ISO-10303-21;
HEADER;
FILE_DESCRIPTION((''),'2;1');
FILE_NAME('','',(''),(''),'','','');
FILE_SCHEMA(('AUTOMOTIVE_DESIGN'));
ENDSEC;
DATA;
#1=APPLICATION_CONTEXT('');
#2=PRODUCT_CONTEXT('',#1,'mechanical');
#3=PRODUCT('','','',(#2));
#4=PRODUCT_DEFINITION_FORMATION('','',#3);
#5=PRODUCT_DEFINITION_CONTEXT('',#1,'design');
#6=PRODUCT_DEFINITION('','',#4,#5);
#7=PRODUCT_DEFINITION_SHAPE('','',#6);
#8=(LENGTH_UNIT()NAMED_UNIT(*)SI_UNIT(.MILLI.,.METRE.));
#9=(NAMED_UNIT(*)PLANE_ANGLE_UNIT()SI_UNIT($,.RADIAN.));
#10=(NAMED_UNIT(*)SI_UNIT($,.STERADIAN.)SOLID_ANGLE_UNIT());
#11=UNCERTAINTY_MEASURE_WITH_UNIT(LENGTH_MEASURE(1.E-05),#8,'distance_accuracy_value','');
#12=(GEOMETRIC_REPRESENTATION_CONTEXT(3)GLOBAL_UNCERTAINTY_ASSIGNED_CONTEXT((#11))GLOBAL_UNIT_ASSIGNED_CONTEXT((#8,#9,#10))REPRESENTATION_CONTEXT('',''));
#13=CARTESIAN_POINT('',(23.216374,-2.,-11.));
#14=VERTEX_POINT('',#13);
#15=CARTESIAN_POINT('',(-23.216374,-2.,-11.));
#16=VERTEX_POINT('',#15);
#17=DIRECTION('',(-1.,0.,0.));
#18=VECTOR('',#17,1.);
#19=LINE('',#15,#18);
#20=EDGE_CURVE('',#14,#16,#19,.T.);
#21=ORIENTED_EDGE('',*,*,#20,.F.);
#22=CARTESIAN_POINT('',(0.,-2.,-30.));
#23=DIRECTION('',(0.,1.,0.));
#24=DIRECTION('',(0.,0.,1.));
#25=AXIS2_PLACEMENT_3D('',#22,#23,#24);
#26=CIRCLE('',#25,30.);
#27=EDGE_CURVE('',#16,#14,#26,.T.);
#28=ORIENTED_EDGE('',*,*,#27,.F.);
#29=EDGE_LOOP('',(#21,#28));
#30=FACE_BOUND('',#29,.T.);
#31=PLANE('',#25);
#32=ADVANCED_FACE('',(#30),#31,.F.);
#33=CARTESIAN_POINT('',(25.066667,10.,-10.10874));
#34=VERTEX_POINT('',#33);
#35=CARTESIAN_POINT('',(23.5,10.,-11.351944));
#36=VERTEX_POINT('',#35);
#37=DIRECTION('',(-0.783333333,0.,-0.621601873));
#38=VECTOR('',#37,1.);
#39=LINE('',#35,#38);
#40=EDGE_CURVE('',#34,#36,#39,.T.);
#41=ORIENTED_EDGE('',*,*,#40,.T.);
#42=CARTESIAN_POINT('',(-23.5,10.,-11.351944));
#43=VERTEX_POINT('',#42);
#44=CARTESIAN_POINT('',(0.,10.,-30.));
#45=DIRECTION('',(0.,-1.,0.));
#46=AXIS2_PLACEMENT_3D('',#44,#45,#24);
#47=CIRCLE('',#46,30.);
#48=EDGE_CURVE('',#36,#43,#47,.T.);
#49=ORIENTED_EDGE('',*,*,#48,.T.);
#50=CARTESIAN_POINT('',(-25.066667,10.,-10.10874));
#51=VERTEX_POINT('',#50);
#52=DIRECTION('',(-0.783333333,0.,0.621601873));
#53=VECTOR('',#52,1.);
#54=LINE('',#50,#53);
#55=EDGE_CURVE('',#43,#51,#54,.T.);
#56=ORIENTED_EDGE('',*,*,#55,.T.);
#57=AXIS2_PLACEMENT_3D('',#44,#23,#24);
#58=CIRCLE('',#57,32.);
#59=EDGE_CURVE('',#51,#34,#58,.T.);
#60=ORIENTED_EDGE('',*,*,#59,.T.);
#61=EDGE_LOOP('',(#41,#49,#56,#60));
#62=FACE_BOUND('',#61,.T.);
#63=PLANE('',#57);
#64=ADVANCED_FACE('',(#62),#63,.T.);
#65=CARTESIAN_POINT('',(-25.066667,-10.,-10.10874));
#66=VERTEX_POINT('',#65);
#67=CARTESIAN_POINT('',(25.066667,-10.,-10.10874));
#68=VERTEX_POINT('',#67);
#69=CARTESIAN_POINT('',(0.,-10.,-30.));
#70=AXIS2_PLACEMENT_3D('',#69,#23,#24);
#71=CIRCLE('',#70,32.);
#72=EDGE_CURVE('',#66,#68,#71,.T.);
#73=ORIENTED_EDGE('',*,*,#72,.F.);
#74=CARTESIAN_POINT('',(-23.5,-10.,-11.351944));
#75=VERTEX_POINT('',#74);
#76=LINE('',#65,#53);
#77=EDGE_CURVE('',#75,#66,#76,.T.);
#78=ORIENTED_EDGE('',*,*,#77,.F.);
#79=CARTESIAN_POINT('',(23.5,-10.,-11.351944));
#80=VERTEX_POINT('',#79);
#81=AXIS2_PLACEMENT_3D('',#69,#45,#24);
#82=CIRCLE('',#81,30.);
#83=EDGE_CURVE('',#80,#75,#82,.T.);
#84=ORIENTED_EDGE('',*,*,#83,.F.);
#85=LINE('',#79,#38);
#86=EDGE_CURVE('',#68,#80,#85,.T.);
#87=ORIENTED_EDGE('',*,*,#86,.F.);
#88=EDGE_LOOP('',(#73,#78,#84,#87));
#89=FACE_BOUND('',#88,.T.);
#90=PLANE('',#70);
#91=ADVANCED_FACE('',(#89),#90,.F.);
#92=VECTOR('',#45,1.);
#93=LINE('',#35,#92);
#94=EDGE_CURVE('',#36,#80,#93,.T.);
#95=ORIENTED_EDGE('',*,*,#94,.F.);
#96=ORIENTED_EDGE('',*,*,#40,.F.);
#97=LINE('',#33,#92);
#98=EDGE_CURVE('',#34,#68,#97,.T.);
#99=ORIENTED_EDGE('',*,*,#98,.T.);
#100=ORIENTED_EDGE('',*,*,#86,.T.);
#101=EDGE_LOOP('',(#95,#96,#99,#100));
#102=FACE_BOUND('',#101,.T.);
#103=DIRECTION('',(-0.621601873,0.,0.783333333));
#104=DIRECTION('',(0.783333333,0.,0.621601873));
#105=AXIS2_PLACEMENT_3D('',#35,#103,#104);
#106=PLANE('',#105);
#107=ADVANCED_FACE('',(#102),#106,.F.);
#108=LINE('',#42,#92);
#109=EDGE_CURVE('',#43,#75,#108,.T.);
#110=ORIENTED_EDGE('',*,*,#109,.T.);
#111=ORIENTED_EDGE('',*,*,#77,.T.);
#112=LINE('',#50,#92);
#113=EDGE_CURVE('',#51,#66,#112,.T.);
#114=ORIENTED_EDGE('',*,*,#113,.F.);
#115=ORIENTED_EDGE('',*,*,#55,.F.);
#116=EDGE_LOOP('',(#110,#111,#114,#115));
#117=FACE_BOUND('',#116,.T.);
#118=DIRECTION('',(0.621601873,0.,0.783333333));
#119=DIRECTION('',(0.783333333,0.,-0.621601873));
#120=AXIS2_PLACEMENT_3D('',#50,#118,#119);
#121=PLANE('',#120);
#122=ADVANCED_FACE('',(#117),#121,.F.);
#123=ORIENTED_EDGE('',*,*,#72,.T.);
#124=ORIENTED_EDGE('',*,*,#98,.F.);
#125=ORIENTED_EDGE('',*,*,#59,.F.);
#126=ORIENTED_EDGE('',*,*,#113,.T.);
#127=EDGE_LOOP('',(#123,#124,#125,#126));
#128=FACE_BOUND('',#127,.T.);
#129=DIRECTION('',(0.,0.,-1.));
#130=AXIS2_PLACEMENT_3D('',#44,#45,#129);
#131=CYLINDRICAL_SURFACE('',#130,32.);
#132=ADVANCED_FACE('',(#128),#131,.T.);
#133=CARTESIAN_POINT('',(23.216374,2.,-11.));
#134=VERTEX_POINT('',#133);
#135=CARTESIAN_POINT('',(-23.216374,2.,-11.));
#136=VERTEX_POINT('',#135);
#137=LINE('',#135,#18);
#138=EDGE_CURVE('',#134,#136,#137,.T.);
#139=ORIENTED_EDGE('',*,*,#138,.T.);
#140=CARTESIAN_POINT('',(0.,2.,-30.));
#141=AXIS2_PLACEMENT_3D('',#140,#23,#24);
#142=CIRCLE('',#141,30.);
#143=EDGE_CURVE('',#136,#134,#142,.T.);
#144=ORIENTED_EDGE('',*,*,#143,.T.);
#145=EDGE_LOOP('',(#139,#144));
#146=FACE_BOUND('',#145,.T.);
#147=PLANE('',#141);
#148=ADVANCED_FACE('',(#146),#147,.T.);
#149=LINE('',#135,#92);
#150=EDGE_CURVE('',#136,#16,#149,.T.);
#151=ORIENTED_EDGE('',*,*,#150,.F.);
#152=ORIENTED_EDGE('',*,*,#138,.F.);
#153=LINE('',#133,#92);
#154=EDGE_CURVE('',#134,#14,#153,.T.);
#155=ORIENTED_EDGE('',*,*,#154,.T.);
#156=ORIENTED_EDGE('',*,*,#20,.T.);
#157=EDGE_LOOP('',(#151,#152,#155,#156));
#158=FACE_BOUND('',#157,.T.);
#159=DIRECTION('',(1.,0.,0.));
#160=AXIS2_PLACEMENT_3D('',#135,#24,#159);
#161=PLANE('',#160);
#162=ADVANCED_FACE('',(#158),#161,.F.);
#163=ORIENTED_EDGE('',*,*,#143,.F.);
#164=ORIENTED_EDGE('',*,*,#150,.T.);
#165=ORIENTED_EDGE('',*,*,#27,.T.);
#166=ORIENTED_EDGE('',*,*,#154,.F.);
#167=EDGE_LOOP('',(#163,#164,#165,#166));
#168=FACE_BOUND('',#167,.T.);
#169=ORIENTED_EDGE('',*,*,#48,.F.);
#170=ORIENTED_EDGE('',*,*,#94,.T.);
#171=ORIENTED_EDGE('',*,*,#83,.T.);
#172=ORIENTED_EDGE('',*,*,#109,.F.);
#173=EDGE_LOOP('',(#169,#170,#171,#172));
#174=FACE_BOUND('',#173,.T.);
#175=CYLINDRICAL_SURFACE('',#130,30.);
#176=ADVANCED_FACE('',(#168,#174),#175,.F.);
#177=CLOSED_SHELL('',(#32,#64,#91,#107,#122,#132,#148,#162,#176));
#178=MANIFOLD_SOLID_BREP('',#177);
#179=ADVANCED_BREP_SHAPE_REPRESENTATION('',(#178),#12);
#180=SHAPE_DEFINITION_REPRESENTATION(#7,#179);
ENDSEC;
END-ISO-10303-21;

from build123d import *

# Parameters (mm, degrees)
BOSS_EXTRUDE1_DEPTH = 10
BOSS_EXTRUDE2_DEPTH = 2


with BuildPart() as part:
    # Sketch1 → Boss-Extrude1 (new body, symmetric)
    with BuildSketch(Plane(origin=(0, 0, 0), x_dir=(1, 0, 0), z_dir=(0, 1, 0))):
        with BuildLine():
            Line((-25.066666667, 10.108740054), (-23.5, 11.351943801))
            ThreePointArc((-23.5, 11.351943801), (0, 0), (23.5, 11.351943801))
            Line((23.5, 11.351943801), (25.066666667, 10.108740054))
            ThreePointArc((25.066666667, 10.108740054), (0, -2), (-25.066666667, 10.108740054))
        make_face()
    extrude(amount=BOSS_EXTRUDE1_DEPTH, both=True)

    # Sketch2 → Boss-Extrude2 (add, symmetric)
    with BuildSketch(Plane(origin=(0, 0, 0), x_dir=(1, 0, 0), z_dir=(0, 1, 0))):
        with BuildLine():
            Line((-23.216373532, 11), (23.216373532, 11))
            ThreePointArc((23.216373532, 11), (0, 0), (-23.216373532, 11))
        make_face()
    extrude(amount=BOSS_EXTRUDE2_DEPTH, both=True)


solid = part.part
